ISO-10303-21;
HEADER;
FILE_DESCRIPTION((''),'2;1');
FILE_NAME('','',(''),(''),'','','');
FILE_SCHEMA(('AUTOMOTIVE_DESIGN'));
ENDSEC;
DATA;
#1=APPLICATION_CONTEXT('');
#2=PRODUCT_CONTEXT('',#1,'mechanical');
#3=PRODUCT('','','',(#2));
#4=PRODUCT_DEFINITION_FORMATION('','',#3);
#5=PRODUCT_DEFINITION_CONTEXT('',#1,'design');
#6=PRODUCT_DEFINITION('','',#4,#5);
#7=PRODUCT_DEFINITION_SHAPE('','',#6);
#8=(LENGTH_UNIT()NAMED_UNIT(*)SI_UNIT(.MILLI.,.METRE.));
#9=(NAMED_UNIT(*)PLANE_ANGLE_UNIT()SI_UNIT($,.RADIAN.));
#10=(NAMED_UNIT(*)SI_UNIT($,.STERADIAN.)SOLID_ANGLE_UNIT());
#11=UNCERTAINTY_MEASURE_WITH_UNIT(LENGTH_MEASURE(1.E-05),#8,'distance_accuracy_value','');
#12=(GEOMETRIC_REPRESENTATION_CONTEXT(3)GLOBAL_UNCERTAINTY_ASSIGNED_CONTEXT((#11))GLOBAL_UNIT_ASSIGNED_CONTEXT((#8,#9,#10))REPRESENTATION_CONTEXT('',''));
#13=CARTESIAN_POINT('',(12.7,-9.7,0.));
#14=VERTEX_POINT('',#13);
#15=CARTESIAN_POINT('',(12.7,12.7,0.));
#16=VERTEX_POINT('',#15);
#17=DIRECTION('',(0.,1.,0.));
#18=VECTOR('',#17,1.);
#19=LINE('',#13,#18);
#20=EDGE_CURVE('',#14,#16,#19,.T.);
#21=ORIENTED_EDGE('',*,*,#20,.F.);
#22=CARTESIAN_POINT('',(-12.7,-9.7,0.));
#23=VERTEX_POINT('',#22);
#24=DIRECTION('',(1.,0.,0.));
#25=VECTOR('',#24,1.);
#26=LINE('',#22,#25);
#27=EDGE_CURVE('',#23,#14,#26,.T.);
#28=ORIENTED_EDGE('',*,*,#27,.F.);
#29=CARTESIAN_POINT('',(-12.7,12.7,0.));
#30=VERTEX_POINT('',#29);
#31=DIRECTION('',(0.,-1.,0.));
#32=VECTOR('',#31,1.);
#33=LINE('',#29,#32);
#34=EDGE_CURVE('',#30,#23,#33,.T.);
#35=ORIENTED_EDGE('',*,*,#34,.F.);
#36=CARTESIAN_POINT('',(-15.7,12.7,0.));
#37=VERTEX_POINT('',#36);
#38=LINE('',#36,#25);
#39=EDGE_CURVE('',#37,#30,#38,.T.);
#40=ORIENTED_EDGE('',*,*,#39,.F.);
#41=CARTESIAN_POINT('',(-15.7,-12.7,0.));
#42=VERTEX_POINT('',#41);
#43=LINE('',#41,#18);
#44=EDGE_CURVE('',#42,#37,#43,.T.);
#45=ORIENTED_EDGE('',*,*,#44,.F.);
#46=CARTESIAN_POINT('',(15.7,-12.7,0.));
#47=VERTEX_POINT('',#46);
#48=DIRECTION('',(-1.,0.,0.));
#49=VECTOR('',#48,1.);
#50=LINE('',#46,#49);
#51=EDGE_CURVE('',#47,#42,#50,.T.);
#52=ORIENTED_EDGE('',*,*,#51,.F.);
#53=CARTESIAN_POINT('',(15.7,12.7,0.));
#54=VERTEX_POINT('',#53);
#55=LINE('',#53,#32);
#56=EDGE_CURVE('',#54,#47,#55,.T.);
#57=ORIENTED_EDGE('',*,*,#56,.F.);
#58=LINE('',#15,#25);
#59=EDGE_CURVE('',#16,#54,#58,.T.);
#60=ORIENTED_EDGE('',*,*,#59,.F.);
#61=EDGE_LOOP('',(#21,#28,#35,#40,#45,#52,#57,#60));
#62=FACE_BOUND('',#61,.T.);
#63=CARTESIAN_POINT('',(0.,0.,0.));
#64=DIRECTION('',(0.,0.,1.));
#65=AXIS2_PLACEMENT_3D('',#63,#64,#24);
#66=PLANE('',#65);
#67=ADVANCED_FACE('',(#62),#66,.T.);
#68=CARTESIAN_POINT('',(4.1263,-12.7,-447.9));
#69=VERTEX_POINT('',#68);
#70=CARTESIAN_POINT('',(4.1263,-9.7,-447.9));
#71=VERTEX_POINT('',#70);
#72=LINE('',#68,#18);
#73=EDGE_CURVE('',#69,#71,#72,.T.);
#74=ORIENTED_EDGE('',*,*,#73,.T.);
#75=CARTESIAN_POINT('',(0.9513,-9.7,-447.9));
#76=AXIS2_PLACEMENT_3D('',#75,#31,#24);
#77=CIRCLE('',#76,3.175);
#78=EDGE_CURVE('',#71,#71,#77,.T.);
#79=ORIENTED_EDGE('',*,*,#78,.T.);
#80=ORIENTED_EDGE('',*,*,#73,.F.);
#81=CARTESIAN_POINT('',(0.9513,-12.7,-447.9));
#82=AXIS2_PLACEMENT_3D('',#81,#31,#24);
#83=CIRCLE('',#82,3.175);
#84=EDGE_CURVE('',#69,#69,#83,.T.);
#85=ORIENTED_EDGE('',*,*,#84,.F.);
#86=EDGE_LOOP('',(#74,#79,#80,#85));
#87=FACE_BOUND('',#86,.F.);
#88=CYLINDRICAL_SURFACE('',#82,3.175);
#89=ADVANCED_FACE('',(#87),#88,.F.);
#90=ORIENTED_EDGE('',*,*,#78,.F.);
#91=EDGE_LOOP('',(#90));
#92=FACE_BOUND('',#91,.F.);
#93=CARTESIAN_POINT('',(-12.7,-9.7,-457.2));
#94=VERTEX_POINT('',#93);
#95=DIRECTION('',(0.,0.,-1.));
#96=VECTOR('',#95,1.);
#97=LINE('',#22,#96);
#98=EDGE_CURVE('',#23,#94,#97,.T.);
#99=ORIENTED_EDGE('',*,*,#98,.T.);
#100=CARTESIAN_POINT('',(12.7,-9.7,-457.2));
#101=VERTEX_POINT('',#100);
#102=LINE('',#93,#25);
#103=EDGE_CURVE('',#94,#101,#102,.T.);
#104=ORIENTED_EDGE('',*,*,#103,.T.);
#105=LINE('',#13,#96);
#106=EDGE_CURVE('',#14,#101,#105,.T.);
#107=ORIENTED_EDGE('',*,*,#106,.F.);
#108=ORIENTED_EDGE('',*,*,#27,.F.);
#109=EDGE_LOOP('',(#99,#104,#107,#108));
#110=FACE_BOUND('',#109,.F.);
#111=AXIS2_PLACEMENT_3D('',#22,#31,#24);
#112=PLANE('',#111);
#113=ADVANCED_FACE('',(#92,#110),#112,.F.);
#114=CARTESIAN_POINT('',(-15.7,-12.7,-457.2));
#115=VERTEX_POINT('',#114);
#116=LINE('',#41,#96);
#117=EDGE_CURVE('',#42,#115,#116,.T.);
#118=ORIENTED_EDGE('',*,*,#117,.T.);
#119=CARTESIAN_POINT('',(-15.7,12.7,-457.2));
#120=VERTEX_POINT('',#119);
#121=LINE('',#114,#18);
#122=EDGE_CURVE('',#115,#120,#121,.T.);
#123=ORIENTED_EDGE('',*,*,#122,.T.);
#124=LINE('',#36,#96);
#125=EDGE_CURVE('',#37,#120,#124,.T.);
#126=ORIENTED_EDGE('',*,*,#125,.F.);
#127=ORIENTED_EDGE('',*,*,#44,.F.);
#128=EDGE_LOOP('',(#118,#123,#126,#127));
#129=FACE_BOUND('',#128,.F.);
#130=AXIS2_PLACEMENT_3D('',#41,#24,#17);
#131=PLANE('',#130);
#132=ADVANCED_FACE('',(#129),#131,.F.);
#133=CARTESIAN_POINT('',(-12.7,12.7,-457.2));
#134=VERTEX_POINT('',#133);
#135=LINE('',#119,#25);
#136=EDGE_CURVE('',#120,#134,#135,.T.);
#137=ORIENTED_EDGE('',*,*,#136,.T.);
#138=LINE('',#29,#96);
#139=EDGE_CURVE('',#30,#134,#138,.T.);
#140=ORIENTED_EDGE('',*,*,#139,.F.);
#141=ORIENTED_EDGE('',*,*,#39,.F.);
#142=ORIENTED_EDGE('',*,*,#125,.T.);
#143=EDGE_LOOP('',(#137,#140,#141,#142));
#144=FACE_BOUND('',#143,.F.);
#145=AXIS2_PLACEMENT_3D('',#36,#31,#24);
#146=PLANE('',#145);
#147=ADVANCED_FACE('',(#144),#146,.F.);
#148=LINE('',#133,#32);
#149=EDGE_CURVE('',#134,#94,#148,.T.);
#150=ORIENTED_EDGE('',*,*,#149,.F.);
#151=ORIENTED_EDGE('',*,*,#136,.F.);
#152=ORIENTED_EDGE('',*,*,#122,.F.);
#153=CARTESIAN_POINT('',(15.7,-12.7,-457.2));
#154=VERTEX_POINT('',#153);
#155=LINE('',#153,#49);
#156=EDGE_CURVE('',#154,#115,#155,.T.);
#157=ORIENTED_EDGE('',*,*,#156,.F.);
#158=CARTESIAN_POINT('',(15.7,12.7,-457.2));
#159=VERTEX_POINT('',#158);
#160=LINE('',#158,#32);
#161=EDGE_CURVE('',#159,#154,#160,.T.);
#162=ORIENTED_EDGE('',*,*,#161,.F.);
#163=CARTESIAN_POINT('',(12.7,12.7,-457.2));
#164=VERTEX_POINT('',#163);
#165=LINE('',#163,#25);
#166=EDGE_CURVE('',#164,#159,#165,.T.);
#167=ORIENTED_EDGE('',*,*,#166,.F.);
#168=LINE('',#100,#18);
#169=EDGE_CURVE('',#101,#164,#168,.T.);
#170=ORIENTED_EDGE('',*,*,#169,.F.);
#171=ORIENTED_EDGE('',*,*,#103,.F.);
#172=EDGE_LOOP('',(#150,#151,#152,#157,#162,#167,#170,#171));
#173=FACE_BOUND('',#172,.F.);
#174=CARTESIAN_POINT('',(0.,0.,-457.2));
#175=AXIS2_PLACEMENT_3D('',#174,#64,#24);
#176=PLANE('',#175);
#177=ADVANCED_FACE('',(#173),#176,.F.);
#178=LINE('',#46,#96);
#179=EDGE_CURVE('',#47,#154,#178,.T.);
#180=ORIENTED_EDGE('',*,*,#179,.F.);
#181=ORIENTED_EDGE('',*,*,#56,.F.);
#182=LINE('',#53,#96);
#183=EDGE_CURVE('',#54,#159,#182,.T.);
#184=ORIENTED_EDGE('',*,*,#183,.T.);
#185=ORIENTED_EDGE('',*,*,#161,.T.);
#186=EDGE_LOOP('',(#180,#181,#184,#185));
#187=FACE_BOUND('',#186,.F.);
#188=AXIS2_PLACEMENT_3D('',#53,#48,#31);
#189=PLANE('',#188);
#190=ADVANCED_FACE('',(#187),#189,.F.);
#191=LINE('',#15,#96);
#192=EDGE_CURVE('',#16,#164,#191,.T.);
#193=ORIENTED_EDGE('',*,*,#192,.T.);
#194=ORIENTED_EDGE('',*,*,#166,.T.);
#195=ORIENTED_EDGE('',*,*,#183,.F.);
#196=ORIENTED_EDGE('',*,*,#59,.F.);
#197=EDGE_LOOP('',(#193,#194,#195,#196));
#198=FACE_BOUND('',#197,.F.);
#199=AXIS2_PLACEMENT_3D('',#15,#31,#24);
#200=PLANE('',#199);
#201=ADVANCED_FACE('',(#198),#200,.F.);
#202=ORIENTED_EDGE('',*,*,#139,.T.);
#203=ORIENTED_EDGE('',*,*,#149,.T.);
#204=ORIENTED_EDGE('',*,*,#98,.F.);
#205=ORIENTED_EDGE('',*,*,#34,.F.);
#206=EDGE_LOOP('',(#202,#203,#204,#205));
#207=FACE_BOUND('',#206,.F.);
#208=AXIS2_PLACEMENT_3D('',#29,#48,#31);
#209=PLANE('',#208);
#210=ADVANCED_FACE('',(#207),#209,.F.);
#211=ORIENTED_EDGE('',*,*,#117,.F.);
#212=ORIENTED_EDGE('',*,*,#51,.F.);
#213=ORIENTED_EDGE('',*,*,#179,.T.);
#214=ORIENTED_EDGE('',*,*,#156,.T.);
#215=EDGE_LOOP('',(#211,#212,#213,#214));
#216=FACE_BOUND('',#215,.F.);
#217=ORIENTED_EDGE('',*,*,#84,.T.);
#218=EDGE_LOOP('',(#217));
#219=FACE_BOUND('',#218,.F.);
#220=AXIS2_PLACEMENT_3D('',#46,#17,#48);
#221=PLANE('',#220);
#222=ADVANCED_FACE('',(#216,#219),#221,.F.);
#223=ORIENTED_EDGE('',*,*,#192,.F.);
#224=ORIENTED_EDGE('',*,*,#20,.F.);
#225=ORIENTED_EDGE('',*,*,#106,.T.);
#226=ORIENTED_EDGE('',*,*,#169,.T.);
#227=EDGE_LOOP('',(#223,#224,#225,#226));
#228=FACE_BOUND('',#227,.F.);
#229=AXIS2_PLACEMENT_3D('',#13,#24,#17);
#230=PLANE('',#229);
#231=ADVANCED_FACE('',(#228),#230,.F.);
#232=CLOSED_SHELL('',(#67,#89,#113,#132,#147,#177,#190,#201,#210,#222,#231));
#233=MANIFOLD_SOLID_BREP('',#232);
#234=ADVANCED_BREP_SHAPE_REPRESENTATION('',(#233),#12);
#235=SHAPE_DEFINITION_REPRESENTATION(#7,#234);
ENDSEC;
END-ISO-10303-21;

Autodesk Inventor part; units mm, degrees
ref_plane "YZ Plane" through (0, 0, 0) normal (1, 0, 0) x (0, 1, 0)
ref_plane "XZ Plane" through (0, 0, 0) normal (0, 1, 0) x (-1, 0, 0)
ref_plane "XY Plane" through (0, 0, 0) normal (0, 0, 1) x (1, 0, 0)
sketch "Sketch1" plane through (0, 0, 0) normal (0, 0, 1) x (1, 0, 0)
  line L0 (-15.7, 12.7) -> (-12.7, 12.7)
  line L1 (-12.7, 12.7) -> (-12.7, -9.7)
  line L2 (-12.7, -9.7) -> (12.7, -9.7)
  line L3 (12.7, -9.7) -> (12.7, 12.7)
  line L4 (12.7, 12.7) -> (15.7, 12.7)
  line L5 (15.7, 12.7) -> (15.7, -12.7)
  line L6 (15.7, -12.7) -> (-15.7, -12.7)
  line L7 (-15.7, -12.7) -> (-15.7, 12.7)
  point P0 (0, 0)
  dimension "d0" = 3
  dimension "d2" = 3
  dimension "d3" = 25.4
  dimension "d4" = 31.4
  dimension "d5" = 15.7
  dimension "d7" = 12.7
  dimension "d8" = 3
extrude "Extrusion1" add sketch "Sketch1" against normal blind 457.2
sketch "Sketch6" plane through (-15.7, -12.7, 0) normal (0, -1, 0) x (1, 0, 0)
  circle A0 centre (16.6513, -447.9) radius 3.175
  point P0 (15.7, 0)
  dimension "d21" = 6.35
extrude "Extrusion4" cut sketch "Sketch6" against normal blind 10
equation "\"d2\" = d0"
equation "\"d5\" = 0.5 * d4"
equation "\"d7\" = 0.5 * d3"
equation "\"d8\" = d0"
properties part number "18in C-Channel"
